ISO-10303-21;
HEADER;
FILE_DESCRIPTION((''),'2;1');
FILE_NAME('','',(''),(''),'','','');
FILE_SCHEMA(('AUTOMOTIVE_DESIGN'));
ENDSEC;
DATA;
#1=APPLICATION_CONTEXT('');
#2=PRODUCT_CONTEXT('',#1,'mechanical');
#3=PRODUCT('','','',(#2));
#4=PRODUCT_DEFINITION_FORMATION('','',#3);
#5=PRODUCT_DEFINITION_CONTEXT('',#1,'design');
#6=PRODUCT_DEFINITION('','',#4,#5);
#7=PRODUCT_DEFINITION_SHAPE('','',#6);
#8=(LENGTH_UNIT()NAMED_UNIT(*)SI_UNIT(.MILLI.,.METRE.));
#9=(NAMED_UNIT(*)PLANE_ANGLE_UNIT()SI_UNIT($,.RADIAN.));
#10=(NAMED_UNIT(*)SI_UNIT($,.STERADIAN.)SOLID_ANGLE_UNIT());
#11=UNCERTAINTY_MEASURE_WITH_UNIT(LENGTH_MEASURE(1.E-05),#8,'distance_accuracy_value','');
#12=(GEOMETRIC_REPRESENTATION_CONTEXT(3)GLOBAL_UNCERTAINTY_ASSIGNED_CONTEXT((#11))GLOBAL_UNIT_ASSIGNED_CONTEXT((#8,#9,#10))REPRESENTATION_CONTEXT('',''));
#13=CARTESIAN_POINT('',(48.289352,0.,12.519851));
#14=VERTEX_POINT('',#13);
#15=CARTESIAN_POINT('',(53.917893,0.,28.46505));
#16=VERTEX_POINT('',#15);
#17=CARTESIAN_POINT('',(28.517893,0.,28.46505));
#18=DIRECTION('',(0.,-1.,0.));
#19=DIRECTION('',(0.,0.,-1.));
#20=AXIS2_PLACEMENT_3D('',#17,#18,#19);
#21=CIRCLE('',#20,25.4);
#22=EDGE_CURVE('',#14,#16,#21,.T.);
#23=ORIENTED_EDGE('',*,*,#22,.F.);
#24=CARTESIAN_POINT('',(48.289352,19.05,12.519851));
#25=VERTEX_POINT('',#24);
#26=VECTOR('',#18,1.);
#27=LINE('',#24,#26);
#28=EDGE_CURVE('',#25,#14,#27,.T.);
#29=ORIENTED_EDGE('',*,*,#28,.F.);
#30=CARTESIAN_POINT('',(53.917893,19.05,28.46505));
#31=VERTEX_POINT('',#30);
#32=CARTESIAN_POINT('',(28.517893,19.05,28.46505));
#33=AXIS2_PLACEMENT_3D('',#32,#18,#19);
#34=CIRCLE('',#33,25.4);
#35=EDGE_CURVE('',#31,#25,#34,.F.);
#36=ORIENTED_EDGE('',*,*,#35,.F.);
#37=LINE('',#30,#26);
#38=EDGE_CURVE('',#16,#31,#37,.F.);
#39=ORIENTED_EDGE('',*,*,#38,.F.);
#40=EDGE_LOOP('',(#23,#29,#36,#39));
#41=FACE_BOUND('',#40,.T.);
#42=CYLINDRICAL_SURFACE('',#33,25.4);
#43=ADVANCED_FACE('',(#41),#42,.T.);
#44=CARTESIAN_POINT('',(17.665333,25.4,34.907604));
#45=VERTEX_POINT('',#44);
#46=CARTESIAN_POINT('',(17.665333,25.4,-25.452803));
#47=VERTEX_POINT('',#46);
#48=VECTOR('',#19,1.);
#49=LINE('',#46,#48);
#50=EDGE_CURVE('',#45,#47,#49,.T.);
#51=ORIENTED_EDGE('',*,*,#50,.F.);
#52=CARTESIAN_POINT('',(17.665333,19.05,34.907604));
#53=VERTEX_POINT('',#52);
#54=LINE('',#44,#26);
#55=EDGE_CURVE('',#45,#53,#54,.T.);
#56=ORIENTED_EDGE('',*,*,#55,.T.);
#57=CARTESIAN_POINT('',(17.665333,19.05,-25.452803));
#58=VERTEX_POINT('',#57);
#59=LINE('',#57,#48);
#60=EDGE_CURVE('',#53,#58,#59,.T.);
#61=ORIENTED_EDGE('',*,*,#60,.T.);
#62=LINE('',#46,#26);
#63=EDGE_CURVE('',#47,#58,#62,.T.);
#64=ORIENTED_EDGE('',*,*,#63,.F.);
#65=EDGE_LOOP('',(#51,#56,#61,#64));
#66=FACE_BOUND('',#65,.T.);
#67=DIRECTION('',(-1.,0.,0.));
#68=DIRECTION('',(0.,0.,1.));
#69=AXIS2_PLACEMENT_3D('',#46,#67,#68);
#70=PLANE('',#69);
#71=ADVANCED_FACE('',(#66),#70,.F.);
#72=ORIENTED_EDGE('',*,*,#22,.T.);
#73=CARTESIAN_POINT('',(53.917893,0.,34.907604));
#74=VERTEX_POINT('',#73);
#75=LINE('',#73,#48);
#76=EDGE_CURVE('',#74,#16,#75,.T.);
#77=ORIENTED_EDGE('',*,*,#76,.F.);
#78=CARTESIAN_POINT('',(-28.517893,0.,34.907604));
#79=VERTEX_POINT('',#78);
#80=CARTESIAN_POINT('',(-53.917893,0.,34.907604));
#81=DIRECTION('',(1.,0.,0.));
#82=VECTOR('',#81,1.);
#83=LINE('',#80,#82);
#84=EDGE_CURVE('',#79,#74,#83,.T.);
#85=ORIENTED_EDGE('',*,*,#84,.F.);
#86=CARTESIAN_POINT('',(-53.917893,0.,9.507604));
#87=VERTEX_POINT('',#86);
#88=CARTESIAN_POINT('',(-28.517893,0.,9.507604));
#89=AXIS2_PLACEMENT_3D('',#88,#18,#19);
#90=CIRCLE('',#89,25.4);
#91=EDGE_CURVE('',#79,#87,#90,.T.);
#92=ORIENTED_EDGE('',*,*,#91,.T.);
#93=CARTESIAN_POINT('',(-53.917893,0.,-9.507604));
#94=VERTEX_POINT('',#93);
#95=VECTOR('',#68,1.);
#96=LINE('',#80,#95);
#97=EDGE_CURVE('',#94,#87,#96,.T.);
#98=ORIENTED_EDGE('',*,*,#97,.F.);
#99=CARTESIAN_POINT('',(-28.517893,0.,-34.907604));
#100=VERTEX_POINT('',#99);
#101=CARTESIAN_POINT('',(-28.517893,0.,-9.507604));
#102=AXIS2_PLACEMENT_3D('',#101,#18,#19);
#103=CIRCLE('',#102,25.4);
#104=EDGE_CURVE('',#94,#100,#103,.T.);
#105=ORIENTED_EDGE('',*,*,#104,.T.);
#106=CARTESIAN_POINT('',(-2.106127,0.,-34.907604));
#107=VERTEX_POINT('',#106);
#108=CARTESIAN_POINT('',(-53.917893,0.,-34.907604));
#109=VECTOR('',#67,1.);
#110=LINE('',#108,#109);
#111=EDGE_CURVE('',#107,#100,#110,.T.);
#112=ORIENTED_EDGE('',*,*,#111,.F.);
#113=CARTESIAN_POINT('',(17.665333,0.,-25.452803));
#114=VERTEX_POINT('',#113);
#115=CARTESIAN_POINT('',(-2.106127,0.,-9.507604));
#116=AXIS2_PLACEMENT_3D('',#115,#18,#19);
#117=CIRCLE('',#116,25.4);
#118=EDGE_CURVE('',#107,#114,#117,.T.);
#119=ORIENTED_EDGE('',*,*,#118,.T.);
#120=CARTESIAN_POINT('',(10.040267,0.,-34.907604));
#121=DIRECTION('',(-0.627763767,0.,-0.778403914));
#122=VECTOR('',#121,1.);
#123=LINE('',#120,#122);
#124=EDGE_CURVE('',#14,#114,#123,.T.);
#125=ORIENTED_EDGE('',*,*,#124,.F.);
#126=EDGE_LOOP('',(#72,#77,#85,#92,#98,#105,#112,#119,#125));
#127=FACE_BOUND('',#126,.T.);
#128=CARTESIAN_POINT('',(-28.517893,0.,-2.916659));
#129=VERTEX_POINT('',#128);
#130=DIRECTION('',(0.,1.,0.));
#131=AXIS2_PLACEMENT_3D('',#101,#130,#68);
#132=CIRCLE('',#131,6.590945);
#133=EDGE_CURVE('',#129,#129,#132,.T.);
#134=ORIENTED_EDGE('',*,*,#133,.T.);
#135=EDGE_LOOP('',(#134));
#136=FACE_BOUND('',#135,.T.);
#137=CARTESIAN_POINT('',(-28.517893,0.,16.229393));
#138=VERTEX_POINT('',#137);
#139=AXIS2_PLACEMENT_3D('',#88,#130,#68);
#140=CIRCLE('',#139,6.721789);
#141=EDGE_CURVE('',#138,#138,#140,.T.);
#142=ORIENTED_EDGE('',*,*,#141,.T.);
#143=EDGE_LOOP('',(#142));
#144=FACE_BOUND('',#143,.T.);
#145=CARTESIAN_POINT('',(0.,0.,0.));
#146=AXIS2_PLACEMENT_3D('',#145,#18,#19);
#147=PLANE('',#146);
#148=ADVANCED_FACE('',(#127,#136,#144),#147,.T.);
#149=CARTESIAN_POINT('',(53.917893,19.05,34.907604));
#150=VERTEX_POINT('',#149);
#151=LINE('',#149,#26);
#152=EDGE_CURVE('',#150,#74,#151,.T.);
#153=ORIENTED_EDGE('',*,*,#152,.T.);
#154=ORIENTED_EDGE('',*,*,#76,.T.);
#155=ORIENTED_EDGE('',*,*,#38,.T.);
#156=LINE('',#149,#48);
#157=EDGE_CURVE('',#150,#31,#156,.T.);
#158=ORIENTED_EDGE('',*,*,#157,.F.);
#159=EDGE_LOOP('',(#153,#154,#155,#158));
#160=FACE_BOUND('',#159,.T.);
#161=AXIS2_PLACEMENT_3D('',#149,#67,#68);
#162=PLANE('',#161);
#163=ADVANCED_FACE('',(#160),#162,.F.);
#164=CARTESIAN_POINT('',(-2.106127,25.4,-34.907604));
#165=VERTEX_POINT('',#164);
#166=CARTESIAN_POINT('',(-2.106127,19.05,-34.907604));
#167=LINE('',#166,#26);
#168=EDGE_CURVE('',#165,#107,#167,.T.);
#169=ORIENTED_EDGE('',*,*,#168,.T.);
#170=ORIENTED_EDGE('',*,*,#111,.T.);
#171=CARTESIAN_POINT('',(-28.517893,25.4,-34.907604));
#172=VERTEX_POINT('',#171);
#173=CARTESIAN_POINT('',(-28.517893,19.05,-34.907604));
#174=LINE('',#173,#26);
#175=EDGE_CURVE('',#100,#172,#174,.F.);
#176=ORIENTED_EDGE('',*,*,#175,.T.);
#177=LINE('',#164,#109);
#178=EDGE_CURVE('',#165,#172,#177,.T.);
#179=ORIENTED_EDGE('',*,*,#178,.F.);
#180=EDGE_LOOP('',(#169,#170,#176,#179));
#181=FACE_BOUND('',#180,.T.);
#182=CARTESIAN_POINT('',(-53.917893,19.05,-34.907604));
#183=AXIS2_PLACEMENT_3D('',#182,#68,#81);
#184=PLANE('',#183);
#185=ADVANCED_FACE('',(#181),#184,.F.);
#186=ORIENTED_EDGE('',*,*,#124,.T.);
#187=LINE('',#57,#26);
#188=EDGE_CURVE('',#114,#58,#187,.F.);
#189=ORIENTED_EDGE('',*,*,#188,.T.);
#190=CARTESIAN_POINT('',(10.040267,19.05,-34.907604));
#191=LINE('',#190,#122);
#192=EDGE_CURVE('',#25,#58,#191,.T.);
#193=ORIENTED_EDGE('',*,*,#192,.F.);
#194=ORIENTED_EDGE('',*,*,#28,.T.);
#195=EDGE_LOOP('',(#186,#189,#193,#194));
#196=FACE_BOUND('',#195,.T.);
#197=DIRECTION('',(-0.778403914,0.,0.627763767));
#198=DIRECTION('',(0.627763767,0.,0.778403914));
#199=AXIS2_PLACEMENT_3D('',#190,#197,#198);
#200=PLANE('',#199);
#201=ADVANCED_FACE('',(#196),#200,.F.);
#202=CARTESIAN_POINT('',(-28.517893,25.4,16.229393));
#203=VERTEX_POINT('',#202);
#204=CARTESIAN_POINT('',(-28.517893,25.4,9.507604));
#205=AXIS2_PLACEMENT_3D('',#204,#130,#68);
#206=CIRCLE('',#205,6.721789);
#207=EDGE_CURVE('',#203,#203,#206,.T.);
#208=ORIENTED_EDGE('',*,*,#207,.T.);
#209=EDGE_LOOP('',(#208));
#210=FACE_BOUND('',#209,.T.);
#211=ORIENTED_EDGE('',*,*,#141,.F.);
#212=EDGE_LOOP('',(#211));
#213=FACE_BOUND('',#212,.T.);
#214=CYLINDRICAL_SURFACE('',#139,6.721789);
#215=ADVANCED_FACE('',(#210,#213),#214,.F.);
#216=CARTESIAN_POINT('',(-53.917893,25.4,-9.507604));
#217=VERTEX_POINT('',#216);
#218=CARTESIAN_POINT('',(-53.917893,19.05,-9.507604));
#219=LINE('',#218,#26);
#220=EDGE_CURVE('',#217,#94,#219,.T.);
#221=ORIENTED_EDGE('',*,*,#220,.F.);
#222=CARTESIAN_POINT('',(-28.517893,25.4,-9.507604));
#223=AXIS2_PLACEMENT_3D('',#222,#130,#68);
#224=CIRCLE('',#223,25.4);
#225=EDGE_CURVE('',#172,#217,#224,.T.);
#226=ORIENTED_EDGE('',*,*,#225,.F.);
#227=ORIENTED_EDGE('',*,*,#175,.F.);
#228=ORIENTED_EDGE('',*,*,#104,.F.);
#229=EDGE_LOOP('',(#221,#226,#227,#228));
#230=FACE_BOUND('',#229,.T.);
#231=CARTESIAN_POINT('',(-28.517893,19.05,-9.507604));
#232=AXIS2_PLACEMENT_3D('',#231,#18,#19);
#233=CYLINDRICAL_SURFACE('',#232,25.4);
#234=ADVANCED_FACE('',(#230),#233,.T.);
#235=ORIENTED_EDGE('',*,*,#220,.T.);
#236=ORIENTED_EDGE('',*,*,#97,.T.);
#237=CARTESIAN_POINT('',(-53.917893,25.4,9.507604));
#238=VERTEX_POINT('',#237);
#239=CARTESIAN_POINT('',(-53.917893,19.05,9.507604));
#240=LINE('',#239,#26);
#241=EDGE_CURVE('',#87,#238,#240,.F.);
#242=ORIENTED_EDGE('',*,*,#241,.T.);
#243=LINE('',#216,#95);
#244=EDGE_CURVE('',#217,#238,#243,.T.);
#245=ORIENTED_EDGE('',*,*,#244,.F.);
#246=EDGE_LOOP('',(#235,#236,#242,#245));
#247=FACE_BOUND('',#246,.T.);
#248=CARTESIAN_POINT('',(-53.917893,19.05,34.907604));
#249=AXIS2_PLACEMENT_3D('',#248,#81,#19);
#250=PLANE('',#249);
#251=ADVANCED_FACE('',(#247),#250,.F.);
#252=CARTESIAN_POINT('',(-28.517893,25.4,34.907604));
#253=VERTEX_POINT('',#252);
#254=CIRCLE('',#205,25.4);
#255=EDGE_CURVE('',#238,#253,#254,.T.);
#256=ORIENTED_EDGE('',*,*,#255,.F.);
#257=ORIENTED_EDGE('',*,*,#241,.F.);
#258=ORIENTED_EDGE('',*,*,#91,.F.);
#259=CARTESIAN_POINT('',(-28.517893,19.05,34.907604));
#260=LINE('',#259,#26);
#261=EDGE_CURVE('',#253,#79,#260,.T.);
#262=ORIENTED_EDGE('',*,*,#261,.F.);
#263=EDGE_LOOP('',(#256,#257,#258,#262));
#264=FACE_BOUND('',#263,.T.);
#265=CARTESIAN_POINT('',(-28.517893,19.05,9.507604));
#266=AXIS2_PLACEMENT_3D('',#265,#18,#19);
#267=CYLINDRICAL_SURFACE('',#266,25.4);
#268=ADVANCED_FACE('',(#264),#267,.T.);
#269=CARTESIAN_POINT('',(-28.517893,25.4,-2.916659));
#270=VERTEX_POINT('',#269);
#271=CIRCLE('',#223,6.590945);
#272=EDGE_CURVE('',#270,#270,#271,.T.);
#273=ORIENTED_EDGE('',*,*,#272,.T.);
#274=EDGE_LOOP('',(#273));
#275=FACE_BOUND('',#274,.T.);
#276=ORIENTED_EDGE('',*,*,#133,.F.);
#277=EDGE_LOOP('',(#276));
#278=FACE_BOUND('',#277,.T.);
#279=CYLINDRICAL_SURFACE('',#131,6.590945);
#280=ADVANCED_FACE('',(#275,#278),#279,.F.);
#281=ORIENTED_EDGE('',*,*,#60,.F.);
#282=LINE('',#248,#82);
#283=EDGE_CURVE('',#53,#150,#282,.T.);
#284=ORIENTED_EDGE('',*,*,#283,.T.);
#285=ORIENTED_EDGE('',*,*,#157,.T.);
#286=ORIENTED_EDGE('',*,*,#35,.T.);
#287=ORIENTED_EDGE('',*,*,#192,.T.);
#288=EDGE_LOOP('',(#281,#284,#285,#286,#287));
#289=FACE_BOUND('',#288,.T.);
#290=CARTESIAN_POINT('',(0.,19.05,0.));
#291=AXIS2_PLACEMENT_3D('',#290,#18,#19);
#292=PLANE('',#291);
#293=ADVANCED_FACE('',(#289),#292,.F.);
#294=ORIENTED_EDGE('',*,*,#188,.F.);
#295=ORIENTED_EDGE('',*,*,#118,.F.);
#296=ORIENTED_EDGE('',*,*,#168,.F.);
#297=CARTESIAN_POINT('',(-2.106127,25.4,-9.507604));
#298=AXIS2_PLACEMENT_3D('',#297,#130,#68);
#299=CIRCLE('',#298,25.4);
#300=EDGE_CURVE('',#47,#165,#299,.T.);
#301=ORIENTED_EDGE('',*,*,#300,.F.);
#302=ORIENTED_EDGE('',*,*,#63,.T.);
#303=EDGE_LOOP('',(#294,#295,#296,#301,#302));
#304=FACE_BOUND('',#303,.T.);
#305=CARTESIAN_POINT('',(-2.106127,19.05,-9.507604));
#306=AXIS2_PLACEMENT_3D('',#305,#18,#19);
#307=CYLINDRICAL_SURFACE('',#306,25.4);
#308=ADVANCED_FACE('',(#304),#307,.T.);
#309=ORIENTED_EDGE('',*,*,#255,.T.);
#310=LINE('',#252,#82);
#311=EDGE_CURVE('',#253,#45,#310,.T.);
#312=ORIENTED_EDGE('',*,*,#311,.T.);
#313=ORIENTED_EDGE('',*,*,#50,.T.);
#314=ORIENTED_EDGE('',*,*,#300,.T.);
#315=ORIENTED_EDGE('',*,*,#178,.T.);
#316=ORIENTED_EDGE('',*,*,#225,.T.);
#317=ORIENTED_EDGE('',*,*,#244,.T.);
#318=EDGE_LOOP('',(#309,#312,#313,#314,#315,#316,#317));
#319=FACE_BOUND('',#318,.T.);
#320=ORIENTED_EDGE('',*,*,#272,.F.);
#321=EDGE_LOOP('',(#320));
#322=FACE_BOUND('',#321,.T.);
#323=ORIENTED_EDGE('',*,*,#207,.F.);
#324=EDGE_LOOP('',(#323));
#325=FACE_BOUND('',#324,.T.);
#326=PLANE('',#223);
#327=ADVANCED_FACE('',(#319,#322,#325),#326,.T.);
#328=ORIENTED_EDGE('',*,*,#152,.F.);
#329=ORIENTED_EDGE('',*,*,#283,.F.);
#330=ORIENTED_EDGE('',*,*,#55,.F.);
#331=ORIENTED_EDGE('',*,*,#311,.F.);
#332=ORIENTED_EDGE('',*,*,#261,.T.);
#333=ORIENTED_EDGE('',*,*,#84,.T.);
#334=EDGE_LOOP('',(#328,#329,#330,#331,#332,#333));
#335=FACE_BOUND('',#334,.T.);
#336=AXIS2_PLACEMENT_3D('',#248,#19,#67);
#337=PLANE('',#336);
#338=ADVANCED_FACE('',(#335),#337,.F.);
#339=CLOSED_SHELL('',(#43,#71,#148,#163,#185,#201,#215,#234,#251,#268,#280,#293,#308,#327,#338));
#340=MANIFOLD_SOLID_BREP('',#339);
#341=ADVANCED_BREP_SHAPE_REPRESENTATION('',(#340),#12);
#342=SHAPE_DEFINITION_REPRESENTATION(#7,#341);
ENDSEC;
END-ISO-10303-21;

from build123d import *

# Parameters (mm, degrees)
BOSS_EXTRUDE1_DEPTH = 19.05
FILLET1_R           = 25.4
BOSS_EXTRUDE2_DEPTH = 6.35
SKETCH4_R           = 6.721788933
SKETCH4_R_2         = 6.590945077
CUT_EXTRUDE3_DEPTH  = 26.4


with BuildPart() as part:
    # Sketch1 → Boss-Extrude1 (new body)
    with BuildSketch(Plane(origin=(0, 0, 0), x_dir=(1, 0, 0), z_dir=(0, 1, 0))):
        Polygon((10.04026689, 34.907603773), (53.917892581, -19.499033471), (53.917892581, -34.907603773), (-53.917892581, -34.907603773), (-53.917892581, 34.907603773), align=None)
    extrude(amount=BOSS_EXTRUDE1_DEPTH)

    # Fillet1
    fillet1_edges = [part.edges().sort_by_distance(p)[0] for p in [
        (-53.917892581, 9.525, -34.907603773),
        (10.04026689, 9.525, -34.907603773),
        (53.917892581, 9.525, 19.499033471),
        (-53.917892581, 9.525, 34.907603773),
    ]]
    fillet(fillet1_edges, radius=FILLET1_R)

    # Sketch3 → Boss-Extrude2 (add)
    with BuildSketch(Plane(origin=(0, 19.05, 0), x_dir=(1, 0, 0), z_dir=(0, 1, 0))):
        with BuildLine():
            Line((17.665332694, 25.452803459), (17.665332694, -34.907603773))
            Line((17.665332694, -34.907603773), (-28.517892581, -34.907603773))
            ThreePointArc((-28.517892581, -34.907603773), (-46.478404823, -27.468116015), (-53.917892581, -9.507603773))
            Line((-53.917892581, -9.507603773), (-53.917892581, 9.507603773))
            ThreePointArc((-53.917892581, 9.507603773), (-46.478404823, 27.468116015), (-28.517892581, 34.907603773))
            Line((-28.517892581, 34.907603773), (-2.106126711, 34.907603773))
            ThreePointArc((-2.106126711, 34.907603773), (8.851791157, 32.422315991), (17.665332694, 25.452803459))
        make_face()
    extrude(amount=BOSS_EXTRUDE2_DEPTH)

    # Sketch4 → Cut-Extrude3 (cut, through all)
    with BuildSketch(Plane(origin=(0, 25.4, 0), x_dir=(1, 0, 0), z_dir=(0, 1, 0))):
        with Locations(Location((-28.517892581, -9.507603773, 0), (0, 0, 270))):  # turned: the seam where the file's is
            Circle(SKETCH4_R)
        with Locations(Location((-28.517892581, 9.507603773, 0), (0, 0, 270))):  # turned: the seam where the file's is
            Circle(SKETCH4_R_2)
    extrude(amount=-CUT_EXTRUDE3_DEPTH, mode=Mode.SUBTRACT)


solid = part.part
